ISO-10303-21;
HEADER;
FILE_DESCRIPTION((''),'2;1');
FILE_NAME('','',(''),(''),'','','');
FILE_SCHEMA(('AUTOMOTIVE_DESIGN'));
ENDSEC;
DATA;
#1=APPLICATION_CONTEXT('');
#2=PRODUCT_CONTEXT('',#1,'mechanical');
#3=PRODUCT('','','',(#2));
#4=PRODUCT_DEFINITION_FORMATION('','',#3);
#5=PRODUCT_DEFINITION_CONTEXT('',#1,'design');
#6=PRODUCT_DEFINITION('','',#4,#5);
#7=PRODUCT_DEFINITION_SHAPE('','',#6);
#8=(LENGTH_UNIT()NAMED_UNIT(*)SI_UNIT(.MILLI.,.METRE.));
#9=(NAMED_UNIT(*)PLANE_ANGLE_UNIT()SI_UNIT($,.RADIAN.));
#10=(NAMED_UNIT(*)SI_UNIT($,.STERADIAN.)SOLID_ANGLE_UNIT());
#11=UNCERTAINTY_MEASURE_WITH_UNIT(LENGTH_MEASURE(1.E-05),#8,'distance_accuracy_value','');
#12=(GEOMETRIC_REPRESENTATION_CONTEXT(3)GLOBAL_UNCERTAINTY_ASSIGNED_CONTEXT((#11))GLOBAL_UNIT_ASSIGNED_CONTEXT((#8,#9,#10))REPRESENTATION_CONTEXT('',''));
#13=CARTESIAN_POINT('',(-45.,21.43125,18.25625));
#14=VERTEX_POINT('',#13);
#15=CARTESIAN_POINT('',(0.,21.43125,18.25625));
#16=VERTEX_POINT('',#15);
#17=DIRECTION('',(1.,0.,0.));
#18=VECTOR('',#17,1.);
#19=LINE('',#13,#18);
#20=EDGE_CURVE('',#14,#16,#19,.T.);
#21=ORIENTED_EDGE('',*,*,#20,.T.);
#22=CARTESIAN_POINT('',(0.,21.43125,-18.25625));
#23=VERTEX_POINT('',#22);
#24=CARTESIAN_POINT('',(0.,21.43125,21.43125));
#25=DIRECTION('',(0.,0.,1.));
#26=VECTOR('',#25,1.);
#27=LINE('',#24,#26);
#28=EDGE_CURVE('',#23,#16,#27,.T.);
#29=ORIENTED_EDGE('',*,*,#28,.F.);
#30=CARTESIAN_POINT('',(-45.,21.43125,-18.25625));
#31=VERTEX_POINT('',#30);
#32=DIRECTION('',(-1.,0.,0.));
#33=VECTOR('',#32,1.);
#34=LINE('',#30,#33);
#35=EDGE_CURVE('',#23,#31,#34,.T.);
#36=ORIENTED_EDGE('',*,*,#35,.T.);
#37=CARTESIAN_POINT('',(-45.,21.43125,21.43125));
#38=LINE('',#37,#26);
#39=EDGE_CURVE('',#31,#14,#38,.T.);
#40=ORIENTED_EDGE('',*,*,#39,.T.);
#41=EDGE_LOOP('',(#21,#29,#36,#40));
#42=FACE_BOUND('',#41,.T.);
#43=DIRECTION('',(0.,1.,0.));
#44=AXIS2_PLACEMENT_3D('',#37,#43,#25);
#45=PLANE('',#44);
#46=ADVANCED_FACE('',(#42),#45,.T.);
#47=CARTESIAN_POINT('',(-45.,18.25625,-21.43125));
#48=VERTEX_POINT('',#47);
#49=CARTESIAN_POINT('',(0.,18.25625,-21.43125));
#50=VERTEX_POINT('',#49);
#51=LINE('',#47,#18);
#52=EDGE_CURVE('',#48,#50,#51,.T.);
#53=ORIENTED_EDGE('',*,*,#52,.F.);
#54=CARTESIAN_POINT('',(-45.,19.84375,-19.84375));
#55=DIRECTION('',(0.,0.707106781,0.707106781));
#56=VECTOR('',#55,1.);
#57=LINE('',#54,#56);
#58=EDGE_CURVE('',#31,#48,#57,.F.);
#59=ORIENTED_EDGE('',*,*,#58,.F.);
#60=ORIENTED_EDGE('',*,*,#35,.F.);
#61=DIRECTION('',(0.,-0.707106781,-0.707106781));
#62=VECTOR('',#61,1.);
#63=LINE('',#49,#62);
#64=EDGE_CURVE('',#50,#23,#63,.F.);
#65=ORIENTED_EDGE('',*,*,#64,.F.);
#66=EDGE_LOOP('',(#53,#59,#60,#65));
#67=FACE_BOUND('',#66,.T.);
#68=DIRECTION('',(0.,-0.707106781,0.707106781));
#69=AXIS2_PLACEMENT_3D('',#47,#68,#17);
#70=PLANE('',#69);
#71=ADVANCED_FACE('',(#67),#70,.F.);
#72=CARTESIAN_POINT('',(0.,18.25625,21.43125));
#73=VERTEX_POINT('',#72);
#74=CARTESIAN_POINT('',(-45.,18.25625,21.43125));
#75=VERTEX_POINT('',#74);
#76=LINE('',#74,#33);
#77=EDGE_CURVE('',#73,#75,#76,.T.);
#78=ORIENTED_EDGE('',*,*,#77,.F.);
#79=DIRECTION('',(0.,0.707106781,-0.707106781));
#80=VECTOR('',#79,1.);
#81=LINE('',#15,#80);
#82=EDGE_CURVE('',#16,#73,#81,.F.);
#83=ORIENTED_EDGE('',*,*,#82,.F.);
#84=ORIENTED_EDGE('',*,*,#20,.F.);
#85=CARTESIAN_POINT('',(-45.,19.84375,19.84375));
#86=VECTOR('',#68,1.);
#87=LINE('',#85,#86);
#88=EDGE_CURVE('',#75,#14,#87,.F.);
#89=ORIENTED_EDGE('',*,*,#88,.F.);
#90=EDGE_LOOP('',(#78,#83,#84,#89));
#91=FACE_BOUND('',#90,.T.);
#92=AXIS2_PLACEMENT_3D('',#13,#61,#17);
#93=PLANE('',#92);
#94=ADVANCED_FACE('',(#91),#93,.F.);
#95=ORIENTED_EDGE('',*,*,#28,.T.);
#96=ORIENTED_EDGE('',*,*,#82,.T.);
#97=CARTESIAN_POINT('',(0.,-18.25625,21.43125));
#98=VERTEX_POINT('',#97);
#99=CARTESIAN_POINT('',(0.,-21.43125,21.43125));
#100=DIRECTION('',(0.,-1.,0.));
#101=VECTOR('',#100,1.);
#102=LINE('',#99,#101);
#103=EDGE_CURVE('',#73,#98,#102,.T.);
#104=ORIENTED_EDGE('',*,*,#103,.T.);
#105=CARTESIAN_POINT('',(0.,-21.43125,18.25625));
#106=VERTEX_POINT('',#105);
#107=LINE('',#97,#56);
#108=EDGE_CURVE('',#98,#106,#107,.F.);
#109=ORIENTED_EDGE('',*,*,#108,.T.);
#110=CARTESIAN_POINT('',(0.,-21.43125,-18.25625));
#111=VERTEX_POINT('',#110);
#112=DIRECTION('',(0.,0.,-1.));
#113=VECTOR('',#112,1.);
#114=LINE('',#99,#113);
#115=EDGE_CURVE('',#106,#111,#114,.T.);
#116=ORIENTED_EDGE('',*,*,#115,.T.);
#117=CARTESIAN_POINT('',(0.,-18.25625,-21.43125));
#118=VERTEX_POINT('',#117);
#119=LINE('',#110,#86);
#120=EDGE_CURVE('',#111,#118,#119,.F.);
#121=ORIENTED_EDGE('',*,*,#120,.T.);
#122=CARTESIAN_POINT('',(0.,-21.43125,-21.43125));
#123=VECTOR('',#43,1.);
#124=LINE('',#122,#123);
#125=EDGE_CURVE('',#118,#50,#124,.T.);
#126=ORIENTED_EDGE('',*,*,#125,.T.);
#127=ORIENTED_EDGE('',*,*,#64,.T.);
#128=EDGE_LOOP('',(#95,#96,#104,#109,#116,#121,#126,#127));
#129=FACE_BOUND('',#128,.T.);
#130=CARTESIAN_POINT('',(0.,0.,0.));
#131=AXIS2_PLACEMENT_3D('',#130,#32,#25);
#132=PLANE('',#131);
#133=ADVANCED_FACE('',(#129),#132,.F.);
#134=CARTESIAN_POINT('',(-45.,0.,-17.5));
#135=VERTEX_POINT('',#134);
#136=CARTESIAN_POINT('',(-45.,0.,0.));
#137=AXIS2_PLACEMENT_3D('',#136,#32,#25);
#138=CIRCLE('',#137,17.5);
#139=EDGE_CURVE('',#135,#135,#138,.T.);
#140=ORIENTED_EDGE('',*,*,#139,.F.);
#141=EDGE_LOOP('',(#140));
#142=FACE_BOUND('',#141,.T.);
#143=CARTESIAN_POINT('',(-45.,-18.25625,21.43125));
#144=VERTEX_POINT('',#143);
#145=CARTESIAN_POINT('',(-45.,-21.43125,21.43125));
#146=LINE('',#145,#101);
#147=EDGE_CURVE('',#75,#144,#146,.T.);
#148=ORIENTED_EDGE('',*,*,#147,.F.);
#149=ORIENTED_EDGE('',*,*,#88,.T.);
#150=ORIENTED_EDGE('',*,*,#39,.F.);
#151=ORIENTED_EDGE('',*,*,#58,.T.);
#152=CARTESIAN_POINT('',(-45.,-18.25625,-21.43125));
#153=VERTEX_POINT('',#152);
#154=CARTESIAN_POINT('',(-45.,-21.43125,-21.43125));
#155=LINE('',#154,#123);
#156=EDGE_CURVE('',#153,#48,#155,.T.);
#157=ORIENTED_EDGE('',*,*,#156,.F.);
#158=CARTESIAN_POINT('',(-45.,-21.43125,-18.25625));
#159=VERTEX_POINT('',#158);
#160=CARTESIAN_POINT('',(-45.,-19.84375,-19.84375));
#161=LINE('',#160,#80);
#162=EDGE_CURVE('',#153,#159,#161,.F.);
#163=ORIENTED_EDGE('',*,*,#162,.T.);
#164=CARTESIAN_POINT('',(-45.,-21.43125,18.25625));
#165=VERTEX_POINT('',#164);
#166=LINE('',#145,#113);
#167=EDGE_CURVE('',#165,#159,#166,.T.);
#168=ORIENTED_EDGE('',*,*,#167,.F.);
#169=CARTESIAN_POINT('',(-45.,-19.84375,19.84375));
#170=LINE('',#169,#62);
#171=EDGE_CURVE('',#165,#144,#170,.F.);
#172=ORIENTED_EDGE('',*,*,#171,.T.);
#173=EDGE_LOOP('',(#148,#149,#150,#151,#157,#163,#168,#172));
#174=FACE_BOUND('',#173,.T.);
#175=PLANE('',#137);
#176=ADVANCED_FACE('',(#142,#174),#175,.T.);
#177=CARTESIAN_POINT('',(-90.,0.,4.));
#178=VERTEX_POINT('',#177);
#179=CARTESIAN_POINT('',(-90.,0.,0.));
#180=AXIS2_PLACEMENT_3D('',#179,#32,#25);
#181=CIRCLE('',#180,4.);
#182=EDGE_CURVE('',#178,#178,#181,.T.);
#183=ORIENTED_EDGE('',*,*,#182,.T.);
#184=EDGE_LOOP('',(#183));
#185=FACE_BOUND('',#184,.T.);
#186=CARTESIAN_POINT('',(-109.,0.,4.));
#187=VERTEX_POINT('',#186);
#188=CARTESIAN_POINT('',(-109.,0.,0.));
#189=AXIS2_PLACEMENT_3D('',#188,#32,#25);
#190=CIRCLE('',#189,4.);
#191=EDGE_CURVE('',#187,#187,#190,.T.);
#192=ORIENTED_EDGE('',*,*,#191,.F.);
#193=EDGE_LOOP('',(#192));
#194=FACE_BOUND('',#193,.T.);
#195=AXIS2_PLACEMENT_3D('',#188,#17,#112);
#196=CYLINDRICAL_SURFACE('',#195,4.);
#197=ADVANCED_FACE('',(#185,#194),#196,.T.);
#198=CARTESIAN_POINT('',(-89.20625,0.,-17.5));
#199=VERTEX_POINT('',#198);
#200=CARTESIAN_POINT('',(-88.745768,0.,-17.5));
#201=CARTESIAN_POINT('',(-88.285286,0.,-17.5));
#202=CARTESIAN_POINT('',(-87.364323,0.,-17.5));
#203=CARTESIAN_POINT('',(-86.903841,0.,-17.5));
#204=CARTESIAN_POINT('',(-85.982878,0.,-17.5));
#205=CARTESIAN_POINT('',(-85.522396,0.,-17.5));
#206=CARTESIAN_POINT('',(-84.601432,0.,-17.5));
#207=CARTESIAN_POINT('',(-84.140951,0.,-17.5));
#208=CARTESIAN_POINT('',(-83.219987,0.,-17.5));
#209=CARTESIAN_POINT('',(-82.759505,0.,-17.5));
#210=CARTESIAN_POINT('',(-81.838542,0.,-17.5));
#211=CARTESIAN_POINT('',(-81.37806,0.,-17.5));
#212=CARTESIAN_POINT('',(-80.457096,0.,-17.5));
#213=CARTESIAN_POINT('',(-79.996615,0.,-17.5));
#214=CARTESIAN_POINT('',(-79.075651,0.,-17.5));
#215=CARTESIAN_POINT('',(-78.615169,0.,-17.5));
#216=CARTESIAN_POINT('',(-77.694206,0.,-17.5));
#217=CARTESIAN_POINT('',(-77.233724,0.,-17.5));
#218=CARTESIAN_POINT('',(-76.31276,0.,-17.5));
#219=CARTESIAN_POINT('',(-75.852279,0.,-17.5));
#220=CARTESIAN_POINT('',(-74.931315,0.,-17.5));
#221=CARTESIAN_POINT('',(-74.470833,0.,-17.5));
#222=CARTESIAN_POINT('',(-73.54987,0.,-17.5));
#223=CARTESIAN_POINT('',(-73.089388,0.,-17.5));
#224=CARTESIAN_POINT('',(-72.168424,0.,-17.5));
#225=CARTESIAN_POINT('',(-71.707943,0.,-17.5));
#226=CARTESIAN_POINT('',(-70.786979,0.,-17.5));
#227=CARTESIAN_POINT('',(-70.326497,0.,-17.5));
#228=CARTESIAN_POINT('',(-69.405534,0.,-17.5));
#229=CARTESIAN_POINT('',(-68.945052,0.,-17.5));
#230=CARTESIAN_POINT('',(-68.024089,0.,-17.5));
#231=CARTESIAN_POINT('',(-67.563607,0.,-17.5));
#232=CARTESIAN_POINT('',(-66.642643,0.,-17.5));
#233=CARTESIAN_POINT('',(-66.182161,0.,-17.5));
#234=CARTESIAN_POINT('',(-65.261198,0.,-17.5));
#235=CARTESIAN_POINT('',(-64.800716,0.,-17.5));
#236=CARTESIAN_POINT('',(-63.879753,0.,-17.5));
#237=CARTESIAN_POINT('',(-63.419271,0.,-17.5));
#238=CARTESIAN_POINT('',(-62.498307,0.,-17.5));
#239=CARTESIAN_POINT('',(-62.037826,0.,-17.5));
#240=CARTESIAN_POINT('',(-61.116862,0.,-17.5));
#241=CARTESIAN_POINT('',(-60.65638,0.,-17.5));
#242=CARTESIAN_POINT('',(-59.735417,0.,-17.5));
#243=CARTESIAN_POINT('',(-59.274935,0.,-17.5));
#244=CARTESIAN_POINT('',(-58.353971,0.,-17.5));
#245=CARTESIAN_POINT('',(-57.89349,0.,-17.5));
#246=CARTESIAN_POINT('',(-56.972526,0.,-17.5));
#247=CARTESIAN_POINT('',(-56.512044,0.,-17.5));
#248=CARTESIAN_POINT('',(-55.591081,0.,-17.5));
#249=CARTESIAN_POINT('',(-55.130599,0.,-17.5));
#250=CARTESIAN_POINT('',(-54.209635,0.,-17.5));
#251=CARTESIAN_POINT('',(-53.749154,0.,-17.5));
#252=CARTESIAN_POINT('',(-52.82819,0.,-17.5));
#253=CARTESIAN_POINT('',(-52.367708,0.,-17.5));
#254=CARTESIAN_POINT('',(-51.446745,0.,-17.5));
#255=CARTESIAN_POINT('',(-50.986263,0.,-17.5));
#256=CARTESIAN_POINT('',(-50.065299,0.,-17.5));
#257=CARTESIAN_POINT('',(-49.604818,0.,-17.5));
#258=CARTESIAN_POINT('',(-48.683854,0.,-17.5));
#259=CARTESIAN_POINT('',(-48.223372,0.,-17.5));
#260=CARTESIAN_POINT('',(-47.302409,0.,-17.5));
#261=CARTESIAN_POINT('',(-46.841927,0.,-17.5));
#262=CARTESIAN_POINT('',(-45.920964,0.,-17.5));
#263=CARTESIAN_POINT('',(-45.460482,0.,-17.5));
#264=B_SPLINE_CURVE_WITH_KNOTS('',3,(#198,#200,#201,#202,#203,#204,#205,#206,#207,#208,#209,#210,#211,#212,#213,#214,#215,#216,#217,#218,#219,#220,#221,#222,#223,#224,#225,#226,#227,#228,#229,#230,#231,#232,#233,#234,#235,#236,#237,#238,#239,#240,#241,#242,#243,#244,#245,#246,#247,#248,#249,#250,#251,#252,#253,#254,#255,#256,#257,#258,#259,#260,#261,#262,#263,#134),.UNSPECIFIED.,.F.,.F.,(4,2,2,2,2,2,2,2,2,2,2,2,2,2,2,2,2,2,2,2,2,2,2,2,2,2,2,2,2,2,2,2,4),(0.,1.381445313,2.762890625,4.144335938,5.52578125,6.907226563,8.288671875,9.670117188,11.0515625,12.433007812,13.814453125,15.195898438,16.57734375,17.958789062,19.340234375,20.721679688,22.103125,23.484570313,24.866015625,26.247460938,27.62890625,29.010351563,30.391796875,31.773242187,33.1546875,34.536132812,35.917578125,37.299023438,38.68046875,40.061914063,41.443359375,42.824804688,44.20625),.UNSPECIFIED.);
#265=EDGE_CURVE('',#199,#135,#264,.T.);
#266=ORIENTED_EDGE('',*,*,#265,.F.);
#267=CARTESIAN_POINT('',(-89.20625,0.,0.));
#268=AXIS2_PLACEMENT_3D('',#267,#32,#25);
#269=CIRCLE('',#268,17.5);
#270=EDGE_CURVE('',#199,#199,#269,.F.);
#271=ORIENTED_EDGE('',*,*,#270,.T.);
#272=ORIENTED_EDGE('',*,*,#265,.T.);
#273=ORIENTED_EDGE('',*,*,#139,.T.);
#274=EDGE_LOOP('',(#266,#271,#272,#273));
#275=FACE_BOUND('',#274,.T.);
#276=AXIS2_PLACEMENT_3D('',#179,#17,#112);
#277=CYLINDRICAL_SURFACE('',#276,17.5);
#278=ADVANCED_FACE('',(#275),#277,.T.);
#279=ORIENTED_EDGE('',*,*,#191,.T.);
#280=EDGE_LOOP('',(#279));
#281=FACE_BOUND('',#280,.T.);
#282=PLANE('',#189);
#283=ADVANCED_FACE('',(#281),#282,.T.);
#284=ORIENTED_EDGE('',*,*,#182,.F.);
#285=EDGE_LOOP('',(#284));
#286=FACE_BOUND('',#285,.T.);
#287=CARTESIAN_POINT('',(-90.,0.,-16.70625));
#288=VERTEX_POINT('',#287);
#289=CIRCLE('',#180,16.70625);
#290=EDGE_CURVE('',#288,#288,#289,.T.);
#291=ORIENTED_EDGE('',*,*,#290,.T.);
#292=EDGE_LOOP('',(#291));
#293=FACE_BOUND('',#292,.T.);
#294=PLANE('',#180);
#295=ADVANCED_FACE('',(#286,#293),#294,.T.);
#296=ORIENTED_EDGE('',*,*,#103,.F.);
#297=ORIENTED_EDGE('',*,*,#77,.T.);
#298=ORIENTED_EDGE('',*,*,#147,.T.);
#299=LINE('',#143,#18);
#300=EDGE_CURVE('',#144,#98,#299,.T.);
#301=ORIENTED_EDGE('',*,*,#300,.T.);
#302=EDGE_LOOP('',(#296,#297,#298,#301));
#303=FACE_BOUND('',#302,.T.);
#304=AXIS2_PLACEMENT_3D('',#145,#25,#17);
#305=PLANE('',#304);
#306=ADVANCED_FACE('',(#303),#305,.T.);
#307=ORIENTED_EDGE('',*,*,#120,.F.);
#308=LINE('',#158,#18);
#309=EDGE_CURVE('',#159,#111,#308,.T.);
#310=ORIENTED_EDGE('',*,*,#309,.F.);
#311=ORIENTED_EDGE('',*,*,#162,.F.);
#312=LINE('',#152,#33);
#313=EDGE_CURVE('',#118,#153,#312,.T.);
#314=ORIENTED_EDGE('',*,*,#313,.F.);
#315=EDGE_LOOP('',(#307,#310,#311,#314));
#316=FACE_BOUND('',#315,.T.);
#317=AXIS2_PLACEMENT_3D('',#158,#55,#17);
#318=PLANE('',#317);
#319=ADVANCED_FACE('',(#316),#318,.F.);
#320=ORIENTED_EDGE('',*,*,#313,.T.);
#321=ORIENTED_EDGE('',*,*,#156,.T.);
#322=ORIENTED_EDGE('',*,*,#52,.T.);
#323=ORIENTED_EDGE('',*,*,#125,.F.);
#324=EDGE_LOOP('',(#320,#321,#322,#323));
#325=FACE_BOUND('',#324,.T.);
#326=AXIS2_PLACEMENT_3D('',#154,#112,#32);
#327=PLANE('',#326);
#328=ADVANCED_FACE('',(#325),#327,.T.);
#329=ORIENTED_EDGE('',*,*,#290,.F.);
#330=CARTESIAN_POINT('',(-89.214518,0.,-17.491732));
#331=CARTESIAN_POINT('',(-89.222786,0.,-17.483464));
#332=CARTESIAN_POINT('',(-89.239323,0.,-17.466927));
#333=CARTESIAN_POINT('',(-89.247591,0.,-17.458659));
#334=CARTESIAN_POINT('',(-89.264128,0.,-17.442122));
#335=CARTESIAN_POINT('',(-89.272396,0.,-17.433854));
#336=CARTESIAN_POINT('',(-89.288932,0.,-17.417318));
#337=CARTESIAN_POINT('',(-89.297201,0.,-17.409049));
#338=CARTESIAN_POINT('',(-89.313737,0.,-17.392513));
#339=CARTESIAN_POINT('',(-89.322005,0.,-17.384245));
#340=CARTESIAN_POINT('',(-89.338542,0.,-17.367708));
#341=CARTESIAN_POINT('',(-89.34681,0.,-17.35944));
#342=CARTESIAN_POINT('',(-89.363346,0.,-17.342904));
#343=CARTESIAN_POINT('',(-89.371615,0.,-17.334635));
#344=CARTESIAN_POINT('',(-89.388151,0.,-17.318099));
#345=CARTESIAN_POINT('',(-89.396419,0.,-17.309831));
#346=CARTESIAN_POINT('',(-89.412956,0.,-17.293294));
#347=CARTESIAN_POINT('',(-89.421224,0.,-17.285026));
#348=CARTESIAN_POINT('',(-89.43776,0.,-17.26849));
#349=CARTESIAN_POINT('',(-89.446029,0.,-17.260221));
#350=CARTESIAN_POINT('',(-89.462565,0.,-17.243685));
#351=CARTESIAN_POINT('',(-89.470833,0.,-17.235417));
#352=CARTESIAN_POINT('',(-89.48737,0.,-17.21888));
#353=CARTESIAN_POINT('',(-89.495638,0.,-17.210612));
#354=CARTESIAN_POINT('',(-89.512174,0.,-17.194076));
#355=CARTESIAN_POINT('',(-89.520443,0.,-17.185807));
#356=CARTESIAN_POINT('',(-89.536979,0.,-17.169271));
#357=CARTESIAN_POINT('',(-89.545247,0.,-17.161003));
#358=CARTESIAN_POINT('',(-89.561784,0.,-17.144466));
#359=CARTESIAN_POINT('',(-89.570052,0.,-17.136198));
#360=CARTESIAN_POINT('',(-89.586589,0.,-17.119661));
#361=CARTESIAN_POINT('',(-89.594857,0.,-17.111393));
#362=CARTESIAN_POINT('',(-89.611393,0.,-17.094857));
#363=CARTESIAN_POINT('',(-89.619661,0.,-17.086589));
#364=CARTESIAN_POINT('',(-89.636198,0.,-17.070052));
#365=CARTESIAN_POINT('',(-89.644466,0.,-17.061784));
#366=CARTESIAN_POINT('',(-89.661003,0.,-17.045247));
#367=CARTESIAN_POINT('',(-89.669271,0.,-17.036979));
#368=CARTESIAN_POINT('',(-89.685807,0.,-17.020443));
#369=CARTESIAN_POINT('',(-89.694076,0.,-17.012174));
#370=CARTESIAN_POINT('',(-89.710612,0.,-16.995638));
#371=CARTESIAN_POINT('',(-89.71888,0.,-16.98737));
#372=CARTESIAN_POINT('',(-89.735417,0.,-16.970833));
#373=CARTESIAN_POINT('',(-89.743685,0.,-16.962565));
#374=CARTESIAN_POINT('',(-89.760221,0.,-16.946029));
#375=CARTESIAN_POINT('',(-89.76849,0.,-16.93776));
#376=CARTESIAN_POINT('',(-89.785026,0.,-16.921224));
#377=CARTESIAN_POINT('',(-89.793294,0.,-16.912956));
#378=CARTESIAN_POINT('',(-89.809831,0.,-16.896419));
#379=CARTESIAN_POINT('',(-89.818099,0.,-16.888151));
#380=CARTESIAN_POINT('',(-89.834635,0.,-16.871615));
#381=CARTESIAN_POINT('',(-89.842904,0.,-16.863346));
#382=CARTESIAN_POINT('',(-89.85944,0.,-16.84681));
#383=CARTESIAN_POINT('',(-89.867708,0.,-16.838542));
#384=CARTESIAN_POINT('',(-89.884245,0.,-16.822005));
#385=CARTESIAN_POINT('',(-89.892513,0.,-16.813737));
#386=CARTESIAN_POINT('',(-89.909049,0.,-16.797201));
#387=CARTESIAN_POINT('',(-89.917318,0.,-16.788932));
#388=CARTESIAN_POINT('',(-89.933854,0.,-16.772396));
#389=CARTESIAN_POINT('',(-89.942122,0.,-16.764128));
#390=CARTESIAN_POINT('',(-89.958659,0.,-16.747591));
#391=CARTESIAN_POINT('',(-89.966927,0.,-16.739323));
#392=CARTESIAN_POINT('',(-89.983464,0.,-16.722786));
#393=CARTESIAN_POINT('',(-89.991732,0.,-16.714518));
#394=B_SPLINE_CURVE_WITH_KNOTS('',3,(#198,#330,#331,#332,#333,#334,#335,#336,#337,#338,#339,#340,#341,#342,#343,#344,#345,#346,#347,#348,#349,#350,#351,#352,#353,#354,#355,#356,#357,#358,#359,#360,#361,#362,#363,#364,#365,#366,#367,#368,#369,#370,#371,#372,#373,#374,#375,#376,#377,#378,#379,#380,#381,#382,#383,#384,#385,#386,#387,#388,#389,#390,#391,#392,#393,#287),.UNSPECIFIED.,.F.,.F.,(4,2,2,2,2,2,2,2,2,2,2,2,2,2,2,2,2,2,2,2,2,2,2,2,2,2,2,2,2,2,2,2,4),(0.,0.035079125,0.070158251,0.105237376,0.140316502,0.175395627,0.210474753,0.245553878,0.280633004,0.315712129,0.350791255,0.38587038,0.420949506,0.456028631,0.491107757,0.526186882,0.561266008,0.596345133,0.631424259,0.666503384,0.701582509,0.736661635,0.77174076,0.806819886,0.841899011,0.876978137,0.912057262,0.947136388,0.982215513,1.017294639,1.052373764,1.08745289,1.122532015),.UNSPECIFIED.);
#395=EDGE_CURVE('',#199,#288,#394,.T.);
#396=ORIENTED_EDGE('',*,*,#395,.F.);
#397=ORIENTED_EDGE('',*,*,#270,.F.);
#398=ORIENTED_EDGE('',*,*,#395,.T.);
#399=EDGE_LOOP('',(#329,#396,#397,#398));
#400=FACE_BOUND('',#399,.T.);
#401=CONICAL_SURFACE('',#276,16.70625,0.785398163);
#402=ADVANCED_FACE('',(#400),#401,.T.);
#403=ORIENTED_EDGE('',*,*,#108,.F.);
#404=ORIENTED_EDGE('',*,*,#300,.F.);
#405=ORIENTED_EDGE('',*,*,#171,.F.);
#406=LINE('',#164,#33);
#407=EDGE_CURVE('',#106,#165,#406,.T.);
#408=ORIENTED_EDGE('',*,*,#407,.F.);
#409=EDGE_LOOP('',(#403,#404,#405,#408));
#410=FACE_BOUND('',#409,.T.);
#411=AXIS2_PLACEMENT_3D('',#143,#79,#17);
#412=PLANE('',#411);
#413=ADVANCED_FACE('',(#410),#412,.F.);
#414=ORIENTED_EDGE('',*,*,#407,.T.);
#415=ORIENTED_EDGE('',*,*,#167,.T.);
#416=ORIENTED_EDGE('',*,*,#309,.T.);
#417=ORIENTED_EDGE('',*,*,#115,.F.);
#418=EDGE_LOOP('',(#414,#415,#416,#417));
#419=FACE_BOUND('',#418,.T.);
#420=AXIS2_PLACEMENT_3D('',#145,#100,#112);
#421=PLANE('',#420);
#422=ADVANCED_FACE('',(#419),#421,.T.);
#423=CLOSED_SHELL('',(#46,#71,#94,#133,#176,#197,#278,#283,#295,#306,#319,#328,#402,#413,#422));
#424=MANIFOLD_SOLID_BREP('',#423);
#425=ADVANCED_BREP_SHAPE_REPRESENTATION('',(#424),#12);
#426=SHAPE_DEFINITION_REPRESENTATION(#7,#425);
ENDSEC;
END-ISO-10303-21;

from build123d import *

# Parameters (mm, degrees)
SKETCH1_W           = 42.8625
SKETCH1_H           = 42.8625
BOSS_EXTRUDE1_DEPTH = 45
SKETCH4_R           = 17.5
BOSS_EXTRUDE2_DEPTH = 45
SKETCH5_R           = 4
BOSS_EXTRUDE3_DEPTH = 19
CHAMFER1_SIZE       = 3.175
CHAMFER2_SIZE       = 0.79375


with BuildPart() as part:
    # Sketch1 → Boss-Extrude1 (new body)
    with BuildSketch(Plane(origin=(0, 0, 0), x_dir=(0, 0, -1), z_dir=(1, 0, 0))):
        Rectangle(SKETCH1_W, SKETCH1_H)
    extrude(amount=-BOSS_EXTRUDE1_DEPTH)

    # Sketch4 → Boss-Extrude2 (add)
    with BuildSketch(Plane.ZY.offset(45)):
        with Locations(Location((0, 0, 0), (0, 0, 180))):
            Circle(SKETCH4_R)
    extrude(amount=BOSS_EXTRUDE2_DEPTH)

    # Sketch5 → Boss-Extrude3 (add)
    with BuildSketch(Plane.ZY.offset(90)):
        Circle(SKETCH5_R)
    extrude(amount=BOSS_EXTRUDE3_DEPTH)

    # Chamfer1
    chamfer1_edges = [part.edges().sort_by_distance(p)[0] for p in [
        (-22.5, -21.43125, -21.43125),
        (-22.5, -21.43125, 21.43125),
        (-22.5, 21.43125, 21.43125),
        (-22.5, 21.43125, -21.43125),
    ]]
    chamfer(chamfer1_edges, length=CHAMFER1_SIZE)

    # Chamfer2
    chamfer2_edges = [part.edges().sort_by_distance(p)[0] for p in [
        (-90, 0, 17.5),
    ]]
    chamfer(chamfer2_edges, length=CHAMFER2_SIZE)


solid = part.part
